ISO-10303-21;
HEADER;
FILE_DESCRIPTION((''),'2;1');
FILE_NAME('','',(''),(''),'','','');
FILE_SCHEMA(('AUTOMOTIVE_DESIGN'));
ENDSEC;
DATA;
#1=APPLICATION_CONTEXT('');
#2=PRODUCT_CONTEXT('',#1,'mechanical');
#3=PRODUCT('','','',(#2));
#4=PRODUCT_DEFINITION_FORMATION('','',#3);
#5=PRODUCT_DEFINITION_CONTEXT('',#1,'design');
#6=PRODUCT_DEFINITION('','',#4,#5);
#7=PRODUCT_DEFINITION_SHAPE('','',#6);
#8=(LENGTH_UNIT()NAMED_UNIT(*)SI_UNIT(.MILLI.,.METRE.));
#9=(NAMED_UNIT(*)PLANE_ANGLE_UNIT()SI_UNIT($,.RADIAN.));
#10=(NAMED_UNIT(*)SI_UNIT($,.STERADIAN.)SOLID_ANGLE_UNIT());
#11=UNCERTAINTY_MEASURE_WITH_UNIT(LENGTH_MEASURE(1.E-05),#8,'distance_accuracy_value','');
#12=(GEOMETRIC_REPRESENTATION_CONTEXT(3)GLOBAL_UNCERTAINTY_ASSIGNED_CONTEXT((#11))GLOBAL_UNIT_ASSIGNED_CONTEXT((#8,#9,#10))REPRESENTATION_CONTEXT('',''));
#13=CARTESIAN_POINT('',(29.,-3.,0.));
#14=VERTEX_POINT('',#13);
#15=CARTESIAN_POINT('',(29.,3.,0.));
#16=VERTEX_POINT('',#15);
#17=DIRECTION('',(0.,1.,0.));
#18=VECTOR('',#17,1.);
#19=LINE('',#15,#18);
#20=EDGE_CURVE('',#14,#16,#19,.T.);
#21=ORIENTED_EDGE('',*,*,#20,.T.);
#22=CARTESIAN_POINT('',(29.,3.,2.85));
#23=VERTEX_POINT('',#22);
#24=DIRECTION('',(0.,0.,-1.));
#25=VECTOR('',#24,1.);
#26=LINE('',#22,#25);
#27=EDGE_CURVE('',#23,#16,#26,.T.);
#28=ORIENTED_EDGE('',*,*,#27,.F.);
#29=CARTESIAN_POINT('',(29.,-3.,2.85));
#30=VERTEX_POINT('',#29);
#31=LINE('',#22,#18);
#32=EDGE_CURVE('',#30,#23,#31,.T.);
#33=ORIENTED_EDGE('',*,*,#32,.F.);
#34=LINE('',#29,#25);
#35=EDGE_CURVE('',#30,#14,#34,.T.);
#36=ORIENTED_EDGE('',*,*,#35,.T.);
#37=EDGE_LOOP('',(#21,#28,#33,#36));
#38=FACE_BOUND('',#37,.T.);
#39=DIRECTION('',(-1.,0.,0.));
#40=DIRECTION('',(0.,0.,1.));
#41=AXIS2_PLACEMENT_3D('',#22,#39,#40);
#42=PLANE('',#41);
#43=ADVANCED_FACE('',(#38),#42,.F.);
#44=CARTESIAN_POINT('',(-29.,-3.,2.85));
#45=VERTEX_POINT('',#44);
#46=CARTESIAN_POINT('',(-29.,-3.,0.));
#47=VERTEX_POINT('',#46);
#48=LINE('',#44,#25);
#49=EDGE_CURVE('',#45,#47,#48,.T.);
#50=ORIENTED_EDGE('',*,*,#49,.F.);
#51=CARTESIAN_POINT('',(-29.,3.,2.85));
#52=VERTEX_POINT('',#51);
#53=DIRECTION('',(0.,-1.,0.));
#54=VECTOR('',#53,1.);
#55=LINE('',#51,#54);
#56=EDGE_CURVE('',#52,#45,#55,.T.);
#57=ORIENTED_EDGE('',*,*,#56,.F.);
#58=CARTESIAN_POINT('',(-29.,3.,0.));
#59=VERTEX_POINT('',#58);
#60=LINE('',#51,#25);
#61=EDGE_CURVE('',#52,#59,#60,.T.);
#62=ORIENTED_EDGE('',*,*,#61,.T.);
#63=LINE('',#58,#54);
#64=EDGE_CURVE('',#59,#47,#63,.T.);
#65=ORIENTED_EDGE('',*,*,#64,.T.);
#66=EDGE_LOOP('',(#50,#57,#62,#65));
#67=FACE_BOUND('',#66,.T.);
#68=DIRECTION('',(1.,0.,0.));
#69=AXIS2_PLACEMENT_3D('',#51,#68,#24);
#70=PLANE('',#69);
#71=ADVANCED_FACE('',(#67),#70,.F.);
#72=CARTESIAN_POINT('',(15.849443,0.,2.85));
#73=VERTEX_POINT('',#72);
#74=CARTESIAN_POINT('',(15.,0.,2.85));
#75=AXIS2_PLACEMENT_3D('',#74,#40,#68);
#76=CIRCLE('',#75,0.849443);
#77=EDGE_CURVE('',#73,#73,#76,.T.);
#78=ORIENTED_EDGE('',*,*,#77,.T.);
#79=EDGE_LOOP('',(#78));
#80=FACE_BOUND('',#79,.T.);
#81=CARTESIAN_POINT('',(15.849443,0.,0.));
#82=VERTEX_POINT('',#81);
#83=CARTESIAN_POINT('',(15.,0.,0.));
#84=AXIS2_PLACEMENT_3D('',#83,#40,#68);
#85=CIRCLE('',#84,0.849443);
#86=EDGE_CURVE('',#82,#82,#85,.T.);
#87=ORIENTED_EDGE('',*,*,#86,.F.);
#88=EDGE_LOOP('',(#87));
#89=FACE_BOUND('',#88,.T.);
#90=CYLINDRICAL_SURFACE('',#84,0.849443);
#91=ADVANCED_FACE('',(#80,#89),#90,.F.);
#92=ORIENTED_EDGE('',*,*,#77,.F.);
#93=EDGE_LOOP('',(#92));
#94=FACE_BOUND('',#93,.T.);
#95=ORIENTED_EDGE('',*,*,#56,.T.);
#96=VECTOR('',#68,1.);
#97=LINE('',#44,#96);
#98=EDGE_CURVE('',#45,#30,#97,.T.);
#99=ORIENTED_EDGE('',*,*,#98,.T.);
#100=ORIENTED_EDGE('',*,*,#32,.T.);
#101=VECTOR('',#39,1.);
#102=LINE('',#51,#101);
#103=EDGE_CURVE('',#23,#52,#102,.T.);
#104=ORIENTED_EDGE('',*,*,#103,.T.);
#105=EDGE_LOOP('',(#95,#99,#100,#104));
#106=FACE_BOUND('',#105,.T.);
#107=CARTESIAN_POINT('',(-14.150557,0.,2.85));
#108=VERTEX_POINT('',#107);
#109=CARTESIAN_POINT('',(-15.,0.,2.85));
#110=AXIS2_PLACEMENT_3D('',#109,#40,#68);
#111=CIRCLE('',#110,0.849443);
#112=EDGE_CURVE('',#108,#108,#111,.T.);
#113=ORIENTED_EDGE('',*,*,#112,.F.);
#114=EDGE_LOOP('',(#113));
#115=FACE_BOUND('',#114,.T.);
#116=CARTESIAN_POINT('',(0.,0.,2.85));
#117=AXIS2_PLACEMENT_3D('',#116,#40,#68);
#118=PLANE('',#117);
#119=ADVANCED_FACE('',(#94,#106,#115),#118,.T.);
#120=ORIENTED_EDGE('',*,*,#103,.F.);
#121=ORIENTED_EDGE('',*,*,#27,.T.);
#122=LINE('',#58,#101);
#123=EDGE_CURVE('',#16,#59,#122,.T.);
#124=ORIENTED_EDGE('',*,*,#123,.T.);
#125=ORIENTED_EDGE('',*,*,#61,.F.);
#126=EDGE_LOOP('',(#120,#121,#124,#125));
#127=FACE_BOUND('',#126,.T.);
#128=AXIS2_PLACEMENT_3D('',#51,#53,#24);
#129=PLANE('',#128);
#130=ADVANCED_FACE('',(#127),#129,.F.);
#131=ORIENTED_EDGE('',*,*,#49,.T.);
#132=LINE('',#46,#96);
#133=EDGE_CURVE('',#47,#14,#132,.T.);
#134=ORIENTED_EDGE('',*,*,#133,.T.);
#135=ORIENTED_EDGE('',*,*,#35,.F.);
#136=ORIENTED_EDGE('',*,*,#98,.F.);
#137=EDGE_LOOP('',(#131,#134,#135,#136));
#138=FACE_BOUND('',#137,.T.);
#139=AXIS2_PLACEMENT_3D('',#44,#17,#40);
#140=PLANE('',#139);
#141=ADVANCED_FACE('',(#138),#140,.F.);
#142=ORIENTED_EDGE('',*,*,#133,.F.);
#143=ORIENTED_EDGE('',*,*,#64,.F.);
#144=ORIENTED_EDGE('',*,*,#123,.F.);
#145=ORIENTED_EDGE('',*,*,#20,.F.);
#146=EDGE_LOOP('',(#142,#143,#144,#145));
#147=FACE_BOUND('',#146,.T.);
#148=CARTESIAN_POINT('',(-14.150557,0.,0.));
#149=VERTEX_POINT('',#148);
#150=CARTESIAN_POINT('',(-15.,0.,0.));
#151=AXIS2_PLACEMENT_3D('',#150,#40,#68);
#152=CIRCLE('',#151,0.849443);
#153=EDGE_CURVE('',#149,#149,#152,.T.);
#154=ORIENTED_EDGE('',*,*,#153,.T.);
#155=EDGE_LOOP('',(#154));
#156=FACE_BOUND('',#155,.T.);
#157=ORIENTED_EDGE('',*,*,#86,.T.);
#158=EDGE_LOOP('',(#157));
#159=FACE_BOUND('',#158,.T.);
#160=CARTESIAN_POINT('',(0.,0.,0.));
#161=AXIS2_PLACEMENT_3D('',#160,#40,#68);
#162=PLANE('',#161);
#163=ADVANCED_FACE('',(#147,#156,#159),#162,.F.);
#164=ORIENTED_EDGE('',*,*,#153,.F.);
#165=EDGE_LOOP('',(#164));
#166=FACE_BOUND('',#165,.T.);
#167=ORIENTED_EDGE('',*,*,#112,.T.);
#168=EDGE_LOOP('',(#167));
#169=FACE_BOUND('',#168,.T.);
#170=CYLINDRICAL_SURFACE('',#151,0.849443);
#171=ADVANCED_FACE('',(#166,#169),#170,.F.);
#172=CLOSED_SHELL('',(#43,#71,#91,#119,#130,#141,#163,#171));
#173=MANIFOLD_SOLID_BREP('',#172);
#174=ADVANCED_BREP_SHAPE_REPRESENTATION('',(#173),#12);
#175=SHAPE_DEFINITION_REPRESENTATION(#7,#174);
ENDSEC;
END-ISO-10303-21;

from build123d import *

# Parameters (mm, degrees)
SKETCH1_W           = 58
SKETCH1_H           = 6
BOSS_EXTRUDE1_DEPTH = 2.85
SKETCH2_R           = 0.849442743
CUT_EXTRUDE1_DEPTH  = 30.293727998


with BuildPart() as part:
    # Sketch1 → Boss-Extrude1 (new body)
    with BuildSketch(Plane.XY):
        Rectangle(SKETCH1_W, SKETCH1_H)
    extrude(amount=BOSS_EXTRUDE1_DEPTH)

    # Sketch2 → Cut-Extrude1 (cut, through all)
    with BuildSketch(Plane.XY.offset(2.85)):
        with Locations((15, 0)):
            Circle(SKETCH2_R)
        with Locations((-15, 0)):
            Circle(SKETCH2_R)
    extrude(amount=-CUT_EXTRUDE1_DEPTH, mode=Mode.SUBTRACT)


solid = part.part
